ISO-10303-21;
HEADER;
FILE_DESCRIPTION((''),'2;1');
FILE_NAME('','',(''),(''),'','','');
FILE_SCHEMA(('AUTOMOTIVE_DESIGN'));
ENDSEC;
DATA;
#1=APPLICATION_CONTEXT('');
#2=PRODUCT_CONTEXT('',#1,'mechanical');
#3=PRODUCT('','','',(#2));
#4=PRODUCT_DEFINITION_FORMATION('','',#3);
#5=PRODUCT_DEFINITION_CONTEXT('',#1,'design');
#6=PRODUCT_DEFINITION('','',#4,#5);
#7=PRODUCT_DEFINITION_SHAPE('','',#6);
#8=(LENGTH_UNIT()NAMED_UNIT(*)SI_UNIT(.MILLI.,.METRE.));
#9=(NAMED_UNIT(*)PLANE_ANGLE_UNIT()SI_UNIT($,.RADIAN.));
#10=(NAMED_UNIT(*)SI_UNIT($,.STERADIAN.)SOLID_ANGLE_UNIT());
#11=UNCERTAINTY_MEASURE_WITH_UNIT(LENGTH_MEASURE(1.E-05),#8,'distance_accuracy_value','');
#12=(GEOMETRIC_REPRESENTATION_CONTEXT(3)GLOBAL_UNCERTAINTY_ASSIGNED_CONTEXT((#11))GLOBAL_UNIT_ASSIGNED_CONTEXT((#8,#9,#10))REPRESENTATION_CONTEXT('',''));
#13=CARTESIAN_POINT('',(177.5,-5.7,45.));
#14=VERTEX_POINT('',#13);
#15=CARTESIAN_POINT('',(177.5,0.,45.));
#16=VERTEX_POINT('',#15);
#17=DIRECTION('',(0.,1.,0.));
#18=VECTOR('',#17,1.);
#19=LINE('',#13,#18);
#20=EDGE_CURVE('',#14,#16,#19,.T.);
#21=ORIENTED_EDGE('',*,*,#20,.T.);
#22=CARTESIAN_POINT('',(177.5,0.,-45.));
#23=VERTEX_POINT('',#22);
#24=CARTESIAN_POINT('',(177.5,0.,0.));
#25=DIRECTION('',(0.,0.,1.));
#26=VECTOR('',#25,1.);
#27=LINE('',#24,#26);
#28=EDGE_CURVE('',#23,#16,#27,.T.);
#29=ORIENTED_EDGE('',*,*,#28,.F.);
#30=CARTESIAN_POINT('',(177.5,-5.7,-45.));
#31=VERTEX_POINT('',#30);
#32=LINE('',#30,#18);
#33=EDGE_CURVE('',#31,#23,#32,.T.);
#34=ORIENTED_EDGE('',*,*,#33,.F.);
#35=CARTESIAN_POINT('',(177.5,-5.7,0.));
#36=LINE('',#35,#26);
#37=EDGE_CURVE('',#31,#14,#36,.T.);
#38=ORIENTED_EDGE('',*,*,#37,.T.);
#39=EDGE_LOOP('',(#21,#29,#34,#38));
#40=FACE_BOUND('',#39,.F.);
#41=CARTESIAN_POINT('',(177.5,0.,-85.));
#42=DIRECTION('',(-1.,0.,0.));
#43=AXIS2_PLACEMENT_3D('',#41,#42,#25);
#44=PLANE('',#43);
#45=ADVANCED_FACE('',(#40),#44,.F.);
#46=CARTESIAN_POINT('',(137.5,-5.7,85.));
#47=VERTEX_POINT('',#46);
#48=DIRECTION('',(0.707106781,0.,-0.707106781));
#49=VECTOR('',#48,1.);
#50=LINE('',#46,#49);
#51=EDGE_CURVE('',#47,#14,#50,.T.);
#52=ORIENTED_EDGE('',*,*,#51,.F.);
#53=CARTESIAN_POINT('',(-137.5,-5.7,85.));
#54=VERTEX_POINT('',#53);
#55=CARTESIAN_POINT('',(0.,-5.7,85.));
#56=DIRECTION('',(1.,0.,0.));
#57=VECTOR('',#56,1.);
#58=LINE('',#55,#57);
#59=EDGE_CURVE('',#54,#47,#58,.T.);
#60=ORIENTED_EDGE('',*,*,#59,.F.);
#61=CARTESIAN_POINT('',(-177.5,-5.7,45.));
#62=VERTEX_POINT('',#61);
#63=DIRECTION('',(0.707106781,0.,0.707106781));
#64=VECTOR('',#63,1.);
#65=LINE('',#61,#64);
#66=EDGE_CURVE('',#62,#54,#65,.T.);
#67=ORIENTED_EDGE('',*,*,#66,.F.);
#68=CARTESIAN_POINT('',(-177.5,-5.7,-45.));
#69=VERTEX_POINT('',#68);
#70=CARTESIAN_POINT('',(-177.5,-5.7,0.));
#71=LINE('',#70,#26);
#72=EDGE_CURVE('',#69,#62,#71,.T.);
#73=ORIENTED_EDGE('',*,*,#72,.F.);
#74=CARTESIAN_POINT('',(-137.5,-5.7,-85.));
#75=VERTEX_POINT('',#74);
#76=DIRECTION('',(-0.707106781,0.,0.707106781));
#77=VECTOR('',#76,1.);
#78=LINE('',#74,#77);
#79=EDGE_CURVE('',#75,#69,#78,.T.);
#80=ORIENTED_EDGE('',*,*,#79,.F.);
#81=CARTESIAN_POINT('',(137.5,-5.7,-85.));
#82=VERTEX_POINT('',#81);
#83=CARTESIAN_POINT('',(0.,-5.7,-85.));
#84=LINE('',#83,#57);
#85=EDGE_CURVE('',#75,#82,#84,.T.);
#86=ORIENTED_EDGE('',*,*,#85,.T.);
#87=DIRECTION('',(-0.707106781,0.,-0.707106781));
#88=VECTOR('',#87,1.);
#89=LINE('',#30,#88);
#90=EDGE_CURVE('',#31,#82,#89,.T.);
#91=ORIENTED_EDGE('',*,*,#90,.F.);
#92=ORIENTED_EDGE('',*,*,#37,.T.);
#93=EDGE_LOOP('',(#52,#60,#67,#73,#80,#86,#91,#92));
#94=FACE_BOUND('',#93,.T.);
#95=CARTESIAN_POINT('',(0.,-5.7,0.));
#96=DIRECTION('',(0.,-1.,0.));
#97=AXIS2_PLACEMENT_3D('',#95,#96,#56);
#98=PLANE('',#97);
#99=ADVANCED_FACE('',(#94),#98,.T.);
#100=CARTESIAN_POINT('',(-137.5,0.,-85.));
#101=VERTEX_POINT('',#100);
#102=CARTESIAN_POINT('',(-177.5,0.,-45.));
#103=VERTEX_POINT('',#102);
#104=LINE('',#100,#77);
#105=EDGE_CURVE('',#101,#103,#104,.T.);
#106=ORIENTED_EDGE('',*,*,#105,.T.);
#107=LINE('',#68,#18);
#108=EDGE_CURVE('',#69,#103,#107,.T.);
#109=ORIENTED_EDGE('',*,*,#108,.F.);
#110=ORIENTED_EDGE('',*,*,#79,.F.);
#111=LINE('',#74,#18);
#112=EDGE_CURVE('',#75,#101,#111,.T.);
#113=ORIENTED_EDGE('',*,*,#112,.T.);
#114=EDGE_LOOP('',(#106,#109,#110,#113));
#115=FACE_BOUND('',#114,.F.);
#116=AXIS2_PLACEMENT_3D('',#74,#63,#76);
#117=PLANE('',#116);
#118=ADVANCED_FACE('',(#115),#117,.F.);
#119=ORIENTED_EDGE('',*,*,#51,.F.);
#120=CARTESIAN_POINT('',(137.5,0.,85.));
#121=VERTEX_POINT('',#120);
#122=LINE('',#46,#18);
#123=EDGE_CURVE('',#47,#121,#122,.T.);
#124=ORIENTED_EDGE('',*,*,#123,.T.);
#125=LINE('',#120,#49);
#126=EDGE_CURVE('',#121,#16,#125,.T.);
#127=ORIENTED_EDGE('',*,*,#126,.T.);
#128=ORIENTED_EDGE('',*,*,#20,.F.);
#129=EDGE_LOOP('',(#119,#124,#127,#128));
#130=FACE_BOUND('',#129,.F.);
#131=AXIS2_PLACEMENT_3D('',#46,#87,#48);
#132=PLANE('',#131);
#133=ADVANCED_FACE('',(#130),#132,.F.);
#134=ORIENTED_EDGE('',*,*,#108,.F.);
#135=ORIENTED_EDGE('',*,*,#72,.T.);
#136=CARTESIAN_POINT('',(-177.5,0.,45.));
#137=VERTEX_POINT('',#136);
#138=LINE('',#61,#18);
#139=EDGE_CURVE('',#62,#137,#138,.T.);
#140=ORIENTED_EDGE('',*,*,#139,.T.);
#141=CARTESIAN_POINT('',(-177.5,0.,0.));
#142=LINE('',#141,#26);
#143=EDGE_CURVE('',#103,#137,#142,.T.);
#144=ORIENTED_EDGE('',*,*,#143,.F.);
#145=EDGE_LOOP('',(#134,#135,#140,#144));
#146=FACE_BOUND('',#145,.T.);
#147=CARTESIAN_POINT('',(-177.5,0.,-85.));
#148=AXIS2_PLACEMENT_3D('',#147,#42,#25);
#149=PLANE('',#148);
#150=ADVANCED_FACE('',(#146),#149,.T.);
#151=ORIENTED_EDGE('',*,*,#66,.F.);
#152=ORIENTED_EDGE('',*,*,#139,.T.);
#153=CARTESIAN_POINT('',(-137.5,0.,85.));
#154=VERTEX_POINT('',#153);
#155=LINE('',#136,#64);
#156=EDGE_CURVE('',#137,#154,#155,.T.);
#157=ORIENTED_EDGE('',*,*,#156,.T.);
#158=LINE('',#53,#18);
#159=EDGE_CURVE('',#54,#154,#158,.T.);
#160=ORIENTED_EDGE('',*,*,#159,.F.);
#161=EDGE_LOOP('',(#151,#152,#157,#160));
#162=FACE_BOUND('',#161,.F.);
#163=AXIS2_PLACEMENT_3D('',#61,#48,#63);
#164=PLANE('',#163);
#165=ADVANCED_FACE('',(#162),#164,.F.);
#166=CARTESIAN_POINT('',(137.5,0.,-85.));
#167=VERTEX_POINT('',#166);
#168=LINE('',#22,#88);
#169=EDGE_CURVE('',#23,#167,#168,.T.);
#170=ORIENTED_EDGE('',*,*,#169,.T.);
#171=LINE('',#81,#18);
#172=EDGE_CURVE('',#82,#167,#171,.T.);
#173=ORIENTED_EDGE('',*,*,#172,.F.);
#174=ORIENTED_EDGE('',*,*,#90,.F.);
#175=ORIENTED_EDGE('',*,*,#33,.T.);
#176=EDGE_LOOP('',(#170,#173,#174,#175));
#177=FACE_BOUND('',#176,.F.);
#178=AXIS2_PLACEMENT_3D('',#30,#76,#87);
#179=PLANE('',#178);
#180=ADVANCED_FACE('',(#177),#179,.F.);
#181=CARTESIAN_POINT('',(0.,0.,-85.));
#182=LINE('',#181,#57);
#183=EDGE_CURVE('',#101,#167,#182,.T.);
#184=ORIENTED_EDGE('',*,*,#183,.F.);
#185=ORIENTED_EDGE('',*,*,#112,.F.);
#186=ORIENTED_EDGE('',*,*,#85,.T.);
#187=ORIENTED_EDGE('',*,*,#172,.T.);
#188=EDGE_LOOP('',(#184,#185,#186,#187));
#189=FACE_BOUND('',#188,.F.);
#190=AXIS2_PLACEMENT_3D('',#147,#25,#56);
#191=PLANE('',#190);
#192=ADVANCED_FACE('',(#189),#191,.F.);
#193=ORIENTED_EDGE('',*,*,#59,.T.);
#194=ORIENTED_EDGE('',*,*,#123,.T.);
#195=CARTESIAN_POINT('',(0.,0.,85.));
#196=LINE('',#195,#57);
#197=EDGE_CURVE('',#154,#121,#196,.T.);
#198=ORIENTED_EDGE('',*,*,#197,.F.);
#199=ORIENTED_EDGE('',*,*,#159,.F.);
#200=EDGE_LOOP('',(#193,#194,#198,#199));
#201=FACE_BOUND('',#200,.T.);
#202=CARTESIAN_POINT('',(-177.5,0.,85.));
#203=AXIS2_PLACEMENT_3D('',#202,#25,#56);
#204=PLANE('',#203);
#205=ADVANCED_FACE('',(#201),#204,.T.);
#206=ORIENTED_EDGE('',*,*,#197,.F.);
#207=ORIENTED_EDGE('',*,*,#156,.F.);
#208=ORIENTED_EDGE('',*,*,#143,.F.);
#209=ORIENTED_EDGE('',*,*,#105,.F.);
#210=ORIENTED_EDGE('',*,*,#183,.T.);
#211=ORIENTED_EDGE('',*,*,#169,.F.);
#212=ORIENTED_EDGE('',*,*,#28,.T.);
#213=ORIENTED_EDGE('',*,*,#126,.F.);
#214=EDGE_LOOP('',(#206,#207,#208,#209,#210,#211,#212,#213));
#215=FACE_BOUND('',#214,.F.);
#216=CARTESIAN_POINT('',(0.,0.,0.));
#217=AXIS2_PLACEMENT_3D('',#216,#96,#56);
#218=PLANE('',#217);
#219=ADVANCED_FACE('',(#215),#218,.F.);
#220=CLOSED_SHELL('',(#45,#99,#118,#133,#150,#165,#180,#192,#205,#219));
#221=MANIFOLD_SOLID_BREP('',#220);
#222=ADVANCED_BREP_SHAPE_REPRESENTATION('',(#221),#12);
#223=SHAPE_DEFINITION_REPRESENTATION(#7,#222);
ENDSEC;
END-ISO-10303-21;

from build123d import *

# Parameters (mm, degrees)
F0_W     = 355
F0_H     = 170
F1_DEPTH = 5.7
F3_DEPTH = 5.7


with BuildPart() as f1:
    # F0 (on Front) → F1 (new body)
    with BuildSketch(Plane.XZ):
        Rectangle(F0_W, F0_H)
    extrude(amount=F1_DEPTH)

    # F2 (on face) → F3 (cut, through all)
    with BuildSketch(Plane.XZ.offset(5.7)):
        Polygon((-177.5, 45), (-137.5, 85), (-177.5, 85), align=None)
        Polygon((177.5, 85), (137.5, 85), (177.5, 45), align=None)
        Polygon((177.5, -85), (177.5, -45), (137.5, -85), align=None)
        Polygon((-177.5, -45), (-177.5, -85), (-137.5, -85), align=None)
    extrude(amount=-F3_DEPTH, mode=Mode.SUBTRACT)


solid = f1.part
